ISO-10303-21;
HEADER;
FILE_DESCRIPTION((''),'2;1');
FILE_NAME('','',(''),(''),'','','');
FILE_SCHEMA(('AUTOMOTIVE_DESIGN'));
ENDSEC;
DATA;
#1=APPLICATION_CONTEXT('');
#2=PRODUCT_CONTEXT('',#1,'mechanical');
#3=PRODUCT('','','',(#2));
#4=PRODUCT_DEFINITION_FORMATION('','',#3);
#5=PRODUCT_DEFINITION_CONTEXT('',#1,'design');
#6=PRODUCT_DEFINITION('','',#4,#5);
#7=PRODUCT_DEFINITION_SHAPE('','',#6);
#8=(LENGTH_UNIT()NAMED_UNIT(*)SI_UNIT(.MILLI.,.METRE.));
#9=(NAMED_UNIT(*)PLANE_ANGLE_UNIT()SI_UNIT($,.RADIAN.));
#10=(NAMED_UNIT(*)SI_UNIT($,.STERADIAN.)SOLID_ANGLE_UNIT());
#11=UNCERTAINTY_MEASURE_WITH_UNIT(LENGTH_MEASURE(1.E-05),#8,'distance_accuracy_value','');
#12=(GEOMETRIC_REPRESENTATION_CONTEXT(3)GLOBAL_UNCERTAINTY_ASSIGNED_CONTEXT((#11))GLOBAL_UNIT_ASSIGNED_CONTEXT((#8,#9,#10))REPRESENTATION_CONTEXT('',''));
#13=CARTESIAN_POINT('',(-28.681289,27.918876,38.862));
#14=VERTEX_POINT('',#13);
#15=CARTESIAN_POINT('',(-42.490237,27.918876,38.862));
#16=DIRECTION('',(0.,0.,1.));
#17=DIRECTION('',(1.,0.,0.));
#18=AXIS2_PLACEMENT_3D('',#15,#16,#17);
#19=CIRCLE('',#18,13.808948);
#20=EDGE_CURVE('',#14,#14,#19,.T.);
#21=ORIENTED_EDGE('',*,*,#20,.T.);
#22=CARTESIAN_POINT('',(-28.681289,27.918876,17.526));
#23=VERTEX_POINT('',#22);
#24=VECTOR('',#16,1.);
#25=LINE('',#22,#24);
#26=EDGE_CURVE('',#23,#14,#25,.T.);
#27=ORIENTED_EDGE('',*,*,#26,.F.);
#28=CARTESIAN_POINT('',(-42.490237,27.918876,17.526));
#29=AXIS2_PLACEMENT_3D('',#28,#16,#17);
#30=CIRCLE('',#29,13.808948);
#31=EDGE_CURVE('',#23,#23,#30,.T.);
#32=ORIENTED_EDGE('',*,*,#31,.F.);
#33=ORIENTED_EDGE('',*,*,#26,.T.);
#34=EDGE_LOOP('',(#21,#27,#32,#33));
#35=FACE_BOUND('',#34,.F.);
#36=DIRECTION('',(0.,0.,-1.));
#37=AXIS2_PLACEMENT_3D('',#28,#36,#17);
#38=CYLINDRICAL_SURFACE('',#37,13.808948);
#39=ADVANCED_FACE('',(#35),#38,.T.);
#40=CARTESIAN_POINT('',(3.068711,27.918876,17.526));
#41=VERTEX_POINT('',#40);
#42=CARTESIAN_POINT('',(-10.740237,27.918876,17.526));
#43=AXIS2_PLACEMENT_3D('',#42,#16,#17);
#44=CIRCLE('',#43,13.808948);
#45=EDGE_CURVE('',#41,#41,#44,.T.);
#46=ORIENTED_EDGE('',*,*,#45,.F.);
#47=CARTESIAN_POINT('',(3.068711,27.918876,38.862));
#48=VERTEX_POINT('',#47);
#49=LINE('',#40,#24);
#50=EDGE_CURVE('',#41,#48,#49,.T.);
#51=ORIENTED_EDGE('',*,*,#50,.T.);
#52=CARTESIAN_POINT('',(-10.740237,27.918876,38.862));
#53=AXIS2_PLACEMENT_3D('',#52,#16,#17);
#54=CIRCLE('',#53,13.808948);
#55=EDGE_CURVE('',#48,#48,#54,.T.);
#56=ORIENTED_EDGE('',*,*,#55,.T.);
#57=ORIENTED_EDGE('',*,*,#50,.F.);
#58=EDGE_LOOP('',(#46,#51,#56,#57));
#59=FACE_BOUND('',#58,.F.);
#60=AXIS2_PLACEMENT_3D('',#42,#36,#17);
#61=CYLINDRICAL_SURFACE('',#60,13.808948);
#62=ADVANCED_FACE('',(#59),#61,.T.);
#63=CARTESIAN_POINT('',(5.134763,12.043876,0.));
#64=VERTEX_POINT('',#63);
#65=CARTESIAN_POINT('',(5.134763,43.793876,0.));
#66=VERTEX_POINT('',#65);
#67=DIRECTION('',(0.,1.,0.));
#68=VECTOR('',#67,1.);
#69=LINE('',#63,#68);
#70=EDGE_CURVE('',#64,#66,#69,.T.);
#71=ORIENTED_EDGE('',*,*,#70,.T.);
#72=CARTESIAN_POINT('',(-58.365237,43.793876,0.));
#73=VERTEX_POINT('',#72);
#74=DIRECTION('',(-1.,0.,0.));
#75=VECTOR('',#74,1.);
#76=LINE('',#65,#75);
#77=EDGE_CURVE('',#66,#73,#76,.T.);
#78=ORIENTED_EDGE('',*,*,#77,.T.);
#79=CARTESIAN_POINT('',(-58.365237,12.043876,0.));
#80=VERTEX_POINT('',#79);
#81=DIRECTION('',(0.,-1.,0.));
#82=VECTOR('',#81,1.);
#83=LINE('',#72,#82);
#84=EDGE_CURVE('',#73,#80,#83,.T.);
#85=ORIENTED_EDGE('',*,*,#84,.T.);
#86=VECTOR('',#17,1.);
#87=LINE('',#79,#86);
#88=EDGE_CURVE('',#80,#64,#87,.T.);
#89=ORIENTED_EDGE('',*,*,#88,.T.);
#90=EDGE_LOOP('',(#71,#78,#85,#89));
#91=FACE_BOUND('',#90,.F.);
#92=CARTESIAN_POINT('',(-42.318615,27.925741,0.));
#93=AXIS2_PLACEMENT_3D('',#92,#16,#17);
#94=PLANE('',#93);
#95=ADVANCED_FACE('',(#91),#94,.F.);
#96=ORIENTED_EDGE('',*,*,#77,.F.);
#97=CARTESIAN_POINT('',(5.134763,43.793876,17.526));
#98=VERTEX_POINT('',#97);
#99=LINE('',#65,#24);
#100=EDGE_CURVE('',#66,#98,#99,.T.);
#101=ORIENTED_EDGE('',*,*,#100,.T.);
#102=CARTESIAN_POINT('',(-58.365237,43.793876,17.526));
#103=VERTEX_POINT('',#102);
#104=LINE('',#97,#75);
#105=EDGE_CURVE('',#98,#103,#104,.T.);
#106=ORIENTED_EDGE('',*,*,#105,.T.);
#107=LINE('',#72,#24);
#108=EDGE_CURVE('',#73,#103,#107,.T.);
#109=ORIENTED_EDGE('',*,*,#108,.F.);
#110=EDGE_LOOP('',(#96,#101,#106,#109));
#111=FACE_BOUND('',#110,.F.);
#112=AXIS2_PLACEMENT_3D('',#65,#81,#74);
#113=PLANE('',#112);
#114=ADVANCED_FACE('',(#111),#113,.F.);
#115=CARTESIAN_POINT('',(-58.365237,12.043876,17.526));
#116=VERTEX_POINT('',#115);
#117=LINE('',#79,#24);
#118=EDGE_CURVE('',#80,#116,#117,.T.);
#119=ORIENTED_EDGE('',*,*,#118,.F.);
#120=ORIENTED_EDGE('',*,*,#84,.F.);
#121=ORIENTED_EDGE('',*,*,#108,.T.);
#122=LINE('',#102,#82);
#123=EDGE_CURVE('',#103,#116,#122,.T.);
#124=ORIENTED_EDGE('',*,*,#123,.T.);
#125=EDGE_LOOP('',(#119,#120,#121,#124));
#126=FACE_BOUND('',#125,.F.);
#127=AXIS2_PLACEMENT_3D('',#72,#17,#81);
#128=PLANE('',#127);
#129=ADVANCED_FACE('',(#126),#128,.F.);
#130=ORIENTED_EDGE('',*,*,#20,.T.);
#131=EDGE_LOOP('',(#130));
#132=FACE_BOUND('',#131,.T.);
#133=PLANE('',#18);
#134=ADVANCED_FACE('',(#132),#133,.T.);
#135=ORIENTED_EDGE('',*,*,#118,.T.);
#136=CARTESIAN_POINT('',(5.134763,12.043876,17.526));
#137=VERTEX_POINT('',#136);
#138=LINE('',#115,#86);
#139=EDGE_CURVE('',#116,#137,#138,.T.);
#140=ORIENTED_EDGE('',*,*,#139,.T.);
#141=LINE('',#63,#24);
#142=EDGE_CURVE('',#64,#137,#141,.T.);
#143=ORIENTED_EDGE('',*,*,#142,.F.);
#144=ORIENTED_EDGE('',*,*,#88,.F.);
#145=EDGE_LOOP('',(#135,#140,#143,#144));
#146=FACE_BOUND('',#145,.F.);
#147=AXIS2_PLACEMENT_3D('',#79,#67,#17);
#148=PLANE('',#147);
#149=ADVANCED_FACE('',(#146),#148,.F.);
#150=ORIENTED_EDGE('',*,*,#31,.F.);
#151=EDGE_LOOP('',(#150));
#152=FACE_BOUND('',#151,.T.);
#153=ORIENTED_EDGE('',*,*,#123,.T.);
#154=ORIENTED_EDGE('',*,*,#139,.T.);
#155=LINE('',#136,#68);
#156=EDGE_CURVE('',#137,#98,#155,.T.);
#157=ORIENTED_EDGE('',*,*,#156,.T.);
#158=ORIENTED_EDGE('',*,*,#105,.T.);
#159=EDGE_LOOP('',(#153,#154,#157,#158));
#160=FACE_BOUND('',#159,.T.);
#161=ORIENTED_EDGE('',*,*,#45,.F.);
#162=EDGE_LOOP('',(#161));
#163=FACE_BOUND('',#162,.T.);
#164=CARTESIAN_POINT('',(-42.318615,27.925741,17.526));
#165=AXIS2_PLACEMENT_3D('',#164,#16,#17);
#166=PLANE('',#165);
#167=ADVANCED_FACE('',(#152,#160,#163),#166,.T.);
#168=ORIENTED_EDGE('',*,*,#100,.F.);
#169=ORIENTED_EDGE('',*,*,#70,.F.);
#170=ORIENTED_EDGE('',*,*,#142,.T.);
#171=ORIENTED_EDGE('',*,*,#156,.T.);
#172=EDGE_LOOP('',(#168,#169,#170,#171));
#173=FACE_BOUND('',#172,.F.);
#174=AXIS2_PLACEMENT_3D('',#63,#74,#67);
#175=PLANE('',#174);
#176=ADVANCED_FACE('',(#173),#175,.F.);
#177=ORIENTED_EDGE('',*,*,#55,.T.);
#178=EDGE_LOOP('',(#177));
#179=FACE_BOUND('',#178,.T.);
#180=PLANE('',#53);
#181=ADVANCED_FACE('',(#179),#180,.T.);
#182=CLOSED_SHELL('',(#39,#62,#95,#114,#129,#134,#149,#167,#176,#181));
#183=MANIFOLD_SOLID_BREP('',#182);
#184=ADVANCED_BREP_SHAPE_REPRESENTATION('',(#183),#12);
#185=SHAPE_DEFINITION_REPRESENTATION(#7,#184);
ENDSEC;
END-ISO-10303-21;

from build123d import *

# Parameters (mm, degrees)
F1_DEPTH = 17.526
F2_R     = 13.808948
F3_DEPTH = 21.336


with BuildPart() as f1:
    # F0 (on Top) → F1 (new body)
    with BuildSketch(Plane.XY):
        Polygon((-50.618237, 43.793876), (-58.365237, 43.793876), (-58.365237, 36.300876), (-57.095237, 36.300876), (-57.095237, 36.173876), (-57.095237, 36.046876), (-58.365237, 36.046876), (-58.365237, 20.044876), (-57.095237, 20.044876), (-57.095237, 19.917876), (-57.095237, 19.790876), (-58.365237, 19.790876), (-58.365237, 12.043876), (-50.618237, 12.043876), (-50.618237, 18.393876), (-50.491237, 18.393876), (-50.364237, 18.393876), (-50.364237, 12.043876), (-33.346237, 12.043876), (-33.346237, 18.393876), (-33.219237, 18.393876), (-33.092237, 18.393876), (-33.092237, 12.043876), (-26.615237, 12.043876), (-26.615237, 19.790876), (-27.885237, 19.790876), (-27.885237, 19.917876), (-27.885237, 20.044876), (-26.615237, 20.044876), (-26.615237, 36.046876), (-27.885237, 36.046876), (-27.885237, 36.173876), (-27.885237, 36.300876), (-26.615237, 36.300876), (-26.615237, 43.793876), (-33.092237, 43.793876), (-33.092237, 37.443876), (-33.219237, 37.443876), (-33.346237, 37.443876), (-33.346237, 43.793876), (-50.364237, 43.793876), (-50.364237, 37.443876), (-50.491237, 37.443876), (-50.618237, 37.443876), align=None)
        Polygon((-50.364237, 43.793876), (-50.618237, 43.793876), (-50.618237, 37.443876), (-50.491237, 37.443876), (-50.364237, 37.443876), align=None)
        Polygon((-57.095237, 36.300876), (-58.365237, 36.300876), (-58.365237, 36.173876), (-58.365237, 36.046876), (-57.095237, 36.046876), (-57.095237, 36.173876), align=None)
        Polygon((-33.092237, 43.793876), (-33.346237, 43.793876), (-33.346237, 37.443876), (-33.219237, 37.443876), (-33.092237, 37.443876), align=None)
        Polygon((-57.095237, 20.044876), (-58.365237, 20.044876), (-58.365237, 19.917876), (-58.365237, 19.790876), (-57.095237, 19.790876), (-57.095237, 19.917876), align=None)
        Polygon((-20.138237, 43.793876), (-26.615237, 43.793876), (-26.615237, 36.300876), (-25.345237, 36.300876), (-25.345237, 36.173876), (-25.345237, 36.046876), (-26.615237, 36.046876), (-26.615237, 20.044876), (-25.345237, 20.044876), (-25.345237, 19.917876), (-25.345237, 19.790876), (-26.615237, 19.790876), (-26.615237, 12.043876), (-20.138237, 12.043876), (-20.138237, 18.393876), (-20.011237, 18.393876), (-19.884237, 18.393876), (-19.884237, 12.043876), (-2.866237, 12.043876), (-2.866237, 18.393876), (-2.739237, 18.393876), (-2.612237, 18.393876), (-2.612237, 12.043876), (5.134763, 12.043876), (5.134763, 19.790876), (3.864763, 19.790876), (3.864763, 19.917876), (3.864763, 20.044876), (5.134763, 20.044876), (5.134763, 36.046876), (3.864763, 36.046876), (3.864763, 36.173876), (3.864763, 36.300876), (5.134763, 36.300876), (5.134763, 43.793876), (-2.612237, 43.793876), (-2.612237, 37.443876), (-2.739237, 37.443876), (-2.866237, 37.443876), (-2.866237, 43.793876), (-19.884237, 43.793876), (-19.884237, 37.443876), (-20.011237, 37.443876), (-20.138237, 37.443876), align=None)
        Polygon((-19.884237, 43.793876), (-20.138237, 43.793876), (-20.138237, 37.443876), (-20.011237, 37.443876), (-19.884237, 37.443876), align=None)
        Polygon((-2.612237, 43.793876), (-2.866237, 43.793876), (-2.866237, 37.443876), (-2.739237, 37.443876), (-2.612237, 37.443876), align=None)
        Polygon((-50.618237, 18.393876), (-50.618237, 12.043876), (-50.491237, 12.043876), (-50.364237, 12.043876), (-50.364237, 18.393876), (-50.491237, 18.393876), align=None)
        Polygon((5.134763, 36.046876), (5.134763, 36.300876), (3.864763, 36.300876), (3.864763, 36.173876), (3.864763, 36.046876), align=None)
        Polygon((-33.219237, 12.043876), (-33.092237, 12.043876), (-33.092237, 18.393876), (-33.219237, 18.393876), (-33.346237, 18.393876), (-33.346237, 12.043876), align=None)
        Polygon((-20.138237, 18.393876), (-20.138237, 12.043876), (-19.884237, 12.043876), (-19.884237, 18.393876), (-20.011237, 18.393876), align=None)
        Polygon((5.134763, 19.790876), (5.134763, 20.044876), (3.864763, 20.044876), (3.864763, 19.917876), (3.864763, 19.790876), align=None)
        Polygon((-2.866237, 18.393876), (-2.866237, 12.043876), (-2.612237, 12.043876), (-2.612237, 18.393876), (-2.739237, 18.393876), align=None)
        Polygon((-26.615237, 36.046876), (-26.615237, 36.300876), (-27.885237, 36.300876), (-27.885237, 36.173876), (-27.885237, 36.046876), align=None)
        Polygon((-25.345237, 36.300876), (-26.615237, 36.300876), (-26.615237, 36.046876), (-25.345237, 36.046876), (-25.345237, 36.173876), align=None)
        Polygon((-25.345237, 20.044876), (-26.615237, 20.044876), (-26.615237, 19.790876), (-25.345237, 19.790876), (-25.345237, 19.917876), align=None)
        Polygon((-26.615237, 19.790876), (-26.615237, 20.044876), (-27.885237, 20.044876), (-27.885237, 19.917876), (-27.885237, 19.790876), align=None)
    extrude(amount=F1_DEPTH)

    # F2 (on face) → F3 (join)
    with BuildSketch(Plane.XY.offset(17.526)):
        with Locations((-42.490237, 27.918876)):
            Circle(F2_R)
        with Locations((-10.740237, 27.918876)):
            Circle(F2_R)
    extrude(amount=F3_DEPTH)


solid = f1.part
